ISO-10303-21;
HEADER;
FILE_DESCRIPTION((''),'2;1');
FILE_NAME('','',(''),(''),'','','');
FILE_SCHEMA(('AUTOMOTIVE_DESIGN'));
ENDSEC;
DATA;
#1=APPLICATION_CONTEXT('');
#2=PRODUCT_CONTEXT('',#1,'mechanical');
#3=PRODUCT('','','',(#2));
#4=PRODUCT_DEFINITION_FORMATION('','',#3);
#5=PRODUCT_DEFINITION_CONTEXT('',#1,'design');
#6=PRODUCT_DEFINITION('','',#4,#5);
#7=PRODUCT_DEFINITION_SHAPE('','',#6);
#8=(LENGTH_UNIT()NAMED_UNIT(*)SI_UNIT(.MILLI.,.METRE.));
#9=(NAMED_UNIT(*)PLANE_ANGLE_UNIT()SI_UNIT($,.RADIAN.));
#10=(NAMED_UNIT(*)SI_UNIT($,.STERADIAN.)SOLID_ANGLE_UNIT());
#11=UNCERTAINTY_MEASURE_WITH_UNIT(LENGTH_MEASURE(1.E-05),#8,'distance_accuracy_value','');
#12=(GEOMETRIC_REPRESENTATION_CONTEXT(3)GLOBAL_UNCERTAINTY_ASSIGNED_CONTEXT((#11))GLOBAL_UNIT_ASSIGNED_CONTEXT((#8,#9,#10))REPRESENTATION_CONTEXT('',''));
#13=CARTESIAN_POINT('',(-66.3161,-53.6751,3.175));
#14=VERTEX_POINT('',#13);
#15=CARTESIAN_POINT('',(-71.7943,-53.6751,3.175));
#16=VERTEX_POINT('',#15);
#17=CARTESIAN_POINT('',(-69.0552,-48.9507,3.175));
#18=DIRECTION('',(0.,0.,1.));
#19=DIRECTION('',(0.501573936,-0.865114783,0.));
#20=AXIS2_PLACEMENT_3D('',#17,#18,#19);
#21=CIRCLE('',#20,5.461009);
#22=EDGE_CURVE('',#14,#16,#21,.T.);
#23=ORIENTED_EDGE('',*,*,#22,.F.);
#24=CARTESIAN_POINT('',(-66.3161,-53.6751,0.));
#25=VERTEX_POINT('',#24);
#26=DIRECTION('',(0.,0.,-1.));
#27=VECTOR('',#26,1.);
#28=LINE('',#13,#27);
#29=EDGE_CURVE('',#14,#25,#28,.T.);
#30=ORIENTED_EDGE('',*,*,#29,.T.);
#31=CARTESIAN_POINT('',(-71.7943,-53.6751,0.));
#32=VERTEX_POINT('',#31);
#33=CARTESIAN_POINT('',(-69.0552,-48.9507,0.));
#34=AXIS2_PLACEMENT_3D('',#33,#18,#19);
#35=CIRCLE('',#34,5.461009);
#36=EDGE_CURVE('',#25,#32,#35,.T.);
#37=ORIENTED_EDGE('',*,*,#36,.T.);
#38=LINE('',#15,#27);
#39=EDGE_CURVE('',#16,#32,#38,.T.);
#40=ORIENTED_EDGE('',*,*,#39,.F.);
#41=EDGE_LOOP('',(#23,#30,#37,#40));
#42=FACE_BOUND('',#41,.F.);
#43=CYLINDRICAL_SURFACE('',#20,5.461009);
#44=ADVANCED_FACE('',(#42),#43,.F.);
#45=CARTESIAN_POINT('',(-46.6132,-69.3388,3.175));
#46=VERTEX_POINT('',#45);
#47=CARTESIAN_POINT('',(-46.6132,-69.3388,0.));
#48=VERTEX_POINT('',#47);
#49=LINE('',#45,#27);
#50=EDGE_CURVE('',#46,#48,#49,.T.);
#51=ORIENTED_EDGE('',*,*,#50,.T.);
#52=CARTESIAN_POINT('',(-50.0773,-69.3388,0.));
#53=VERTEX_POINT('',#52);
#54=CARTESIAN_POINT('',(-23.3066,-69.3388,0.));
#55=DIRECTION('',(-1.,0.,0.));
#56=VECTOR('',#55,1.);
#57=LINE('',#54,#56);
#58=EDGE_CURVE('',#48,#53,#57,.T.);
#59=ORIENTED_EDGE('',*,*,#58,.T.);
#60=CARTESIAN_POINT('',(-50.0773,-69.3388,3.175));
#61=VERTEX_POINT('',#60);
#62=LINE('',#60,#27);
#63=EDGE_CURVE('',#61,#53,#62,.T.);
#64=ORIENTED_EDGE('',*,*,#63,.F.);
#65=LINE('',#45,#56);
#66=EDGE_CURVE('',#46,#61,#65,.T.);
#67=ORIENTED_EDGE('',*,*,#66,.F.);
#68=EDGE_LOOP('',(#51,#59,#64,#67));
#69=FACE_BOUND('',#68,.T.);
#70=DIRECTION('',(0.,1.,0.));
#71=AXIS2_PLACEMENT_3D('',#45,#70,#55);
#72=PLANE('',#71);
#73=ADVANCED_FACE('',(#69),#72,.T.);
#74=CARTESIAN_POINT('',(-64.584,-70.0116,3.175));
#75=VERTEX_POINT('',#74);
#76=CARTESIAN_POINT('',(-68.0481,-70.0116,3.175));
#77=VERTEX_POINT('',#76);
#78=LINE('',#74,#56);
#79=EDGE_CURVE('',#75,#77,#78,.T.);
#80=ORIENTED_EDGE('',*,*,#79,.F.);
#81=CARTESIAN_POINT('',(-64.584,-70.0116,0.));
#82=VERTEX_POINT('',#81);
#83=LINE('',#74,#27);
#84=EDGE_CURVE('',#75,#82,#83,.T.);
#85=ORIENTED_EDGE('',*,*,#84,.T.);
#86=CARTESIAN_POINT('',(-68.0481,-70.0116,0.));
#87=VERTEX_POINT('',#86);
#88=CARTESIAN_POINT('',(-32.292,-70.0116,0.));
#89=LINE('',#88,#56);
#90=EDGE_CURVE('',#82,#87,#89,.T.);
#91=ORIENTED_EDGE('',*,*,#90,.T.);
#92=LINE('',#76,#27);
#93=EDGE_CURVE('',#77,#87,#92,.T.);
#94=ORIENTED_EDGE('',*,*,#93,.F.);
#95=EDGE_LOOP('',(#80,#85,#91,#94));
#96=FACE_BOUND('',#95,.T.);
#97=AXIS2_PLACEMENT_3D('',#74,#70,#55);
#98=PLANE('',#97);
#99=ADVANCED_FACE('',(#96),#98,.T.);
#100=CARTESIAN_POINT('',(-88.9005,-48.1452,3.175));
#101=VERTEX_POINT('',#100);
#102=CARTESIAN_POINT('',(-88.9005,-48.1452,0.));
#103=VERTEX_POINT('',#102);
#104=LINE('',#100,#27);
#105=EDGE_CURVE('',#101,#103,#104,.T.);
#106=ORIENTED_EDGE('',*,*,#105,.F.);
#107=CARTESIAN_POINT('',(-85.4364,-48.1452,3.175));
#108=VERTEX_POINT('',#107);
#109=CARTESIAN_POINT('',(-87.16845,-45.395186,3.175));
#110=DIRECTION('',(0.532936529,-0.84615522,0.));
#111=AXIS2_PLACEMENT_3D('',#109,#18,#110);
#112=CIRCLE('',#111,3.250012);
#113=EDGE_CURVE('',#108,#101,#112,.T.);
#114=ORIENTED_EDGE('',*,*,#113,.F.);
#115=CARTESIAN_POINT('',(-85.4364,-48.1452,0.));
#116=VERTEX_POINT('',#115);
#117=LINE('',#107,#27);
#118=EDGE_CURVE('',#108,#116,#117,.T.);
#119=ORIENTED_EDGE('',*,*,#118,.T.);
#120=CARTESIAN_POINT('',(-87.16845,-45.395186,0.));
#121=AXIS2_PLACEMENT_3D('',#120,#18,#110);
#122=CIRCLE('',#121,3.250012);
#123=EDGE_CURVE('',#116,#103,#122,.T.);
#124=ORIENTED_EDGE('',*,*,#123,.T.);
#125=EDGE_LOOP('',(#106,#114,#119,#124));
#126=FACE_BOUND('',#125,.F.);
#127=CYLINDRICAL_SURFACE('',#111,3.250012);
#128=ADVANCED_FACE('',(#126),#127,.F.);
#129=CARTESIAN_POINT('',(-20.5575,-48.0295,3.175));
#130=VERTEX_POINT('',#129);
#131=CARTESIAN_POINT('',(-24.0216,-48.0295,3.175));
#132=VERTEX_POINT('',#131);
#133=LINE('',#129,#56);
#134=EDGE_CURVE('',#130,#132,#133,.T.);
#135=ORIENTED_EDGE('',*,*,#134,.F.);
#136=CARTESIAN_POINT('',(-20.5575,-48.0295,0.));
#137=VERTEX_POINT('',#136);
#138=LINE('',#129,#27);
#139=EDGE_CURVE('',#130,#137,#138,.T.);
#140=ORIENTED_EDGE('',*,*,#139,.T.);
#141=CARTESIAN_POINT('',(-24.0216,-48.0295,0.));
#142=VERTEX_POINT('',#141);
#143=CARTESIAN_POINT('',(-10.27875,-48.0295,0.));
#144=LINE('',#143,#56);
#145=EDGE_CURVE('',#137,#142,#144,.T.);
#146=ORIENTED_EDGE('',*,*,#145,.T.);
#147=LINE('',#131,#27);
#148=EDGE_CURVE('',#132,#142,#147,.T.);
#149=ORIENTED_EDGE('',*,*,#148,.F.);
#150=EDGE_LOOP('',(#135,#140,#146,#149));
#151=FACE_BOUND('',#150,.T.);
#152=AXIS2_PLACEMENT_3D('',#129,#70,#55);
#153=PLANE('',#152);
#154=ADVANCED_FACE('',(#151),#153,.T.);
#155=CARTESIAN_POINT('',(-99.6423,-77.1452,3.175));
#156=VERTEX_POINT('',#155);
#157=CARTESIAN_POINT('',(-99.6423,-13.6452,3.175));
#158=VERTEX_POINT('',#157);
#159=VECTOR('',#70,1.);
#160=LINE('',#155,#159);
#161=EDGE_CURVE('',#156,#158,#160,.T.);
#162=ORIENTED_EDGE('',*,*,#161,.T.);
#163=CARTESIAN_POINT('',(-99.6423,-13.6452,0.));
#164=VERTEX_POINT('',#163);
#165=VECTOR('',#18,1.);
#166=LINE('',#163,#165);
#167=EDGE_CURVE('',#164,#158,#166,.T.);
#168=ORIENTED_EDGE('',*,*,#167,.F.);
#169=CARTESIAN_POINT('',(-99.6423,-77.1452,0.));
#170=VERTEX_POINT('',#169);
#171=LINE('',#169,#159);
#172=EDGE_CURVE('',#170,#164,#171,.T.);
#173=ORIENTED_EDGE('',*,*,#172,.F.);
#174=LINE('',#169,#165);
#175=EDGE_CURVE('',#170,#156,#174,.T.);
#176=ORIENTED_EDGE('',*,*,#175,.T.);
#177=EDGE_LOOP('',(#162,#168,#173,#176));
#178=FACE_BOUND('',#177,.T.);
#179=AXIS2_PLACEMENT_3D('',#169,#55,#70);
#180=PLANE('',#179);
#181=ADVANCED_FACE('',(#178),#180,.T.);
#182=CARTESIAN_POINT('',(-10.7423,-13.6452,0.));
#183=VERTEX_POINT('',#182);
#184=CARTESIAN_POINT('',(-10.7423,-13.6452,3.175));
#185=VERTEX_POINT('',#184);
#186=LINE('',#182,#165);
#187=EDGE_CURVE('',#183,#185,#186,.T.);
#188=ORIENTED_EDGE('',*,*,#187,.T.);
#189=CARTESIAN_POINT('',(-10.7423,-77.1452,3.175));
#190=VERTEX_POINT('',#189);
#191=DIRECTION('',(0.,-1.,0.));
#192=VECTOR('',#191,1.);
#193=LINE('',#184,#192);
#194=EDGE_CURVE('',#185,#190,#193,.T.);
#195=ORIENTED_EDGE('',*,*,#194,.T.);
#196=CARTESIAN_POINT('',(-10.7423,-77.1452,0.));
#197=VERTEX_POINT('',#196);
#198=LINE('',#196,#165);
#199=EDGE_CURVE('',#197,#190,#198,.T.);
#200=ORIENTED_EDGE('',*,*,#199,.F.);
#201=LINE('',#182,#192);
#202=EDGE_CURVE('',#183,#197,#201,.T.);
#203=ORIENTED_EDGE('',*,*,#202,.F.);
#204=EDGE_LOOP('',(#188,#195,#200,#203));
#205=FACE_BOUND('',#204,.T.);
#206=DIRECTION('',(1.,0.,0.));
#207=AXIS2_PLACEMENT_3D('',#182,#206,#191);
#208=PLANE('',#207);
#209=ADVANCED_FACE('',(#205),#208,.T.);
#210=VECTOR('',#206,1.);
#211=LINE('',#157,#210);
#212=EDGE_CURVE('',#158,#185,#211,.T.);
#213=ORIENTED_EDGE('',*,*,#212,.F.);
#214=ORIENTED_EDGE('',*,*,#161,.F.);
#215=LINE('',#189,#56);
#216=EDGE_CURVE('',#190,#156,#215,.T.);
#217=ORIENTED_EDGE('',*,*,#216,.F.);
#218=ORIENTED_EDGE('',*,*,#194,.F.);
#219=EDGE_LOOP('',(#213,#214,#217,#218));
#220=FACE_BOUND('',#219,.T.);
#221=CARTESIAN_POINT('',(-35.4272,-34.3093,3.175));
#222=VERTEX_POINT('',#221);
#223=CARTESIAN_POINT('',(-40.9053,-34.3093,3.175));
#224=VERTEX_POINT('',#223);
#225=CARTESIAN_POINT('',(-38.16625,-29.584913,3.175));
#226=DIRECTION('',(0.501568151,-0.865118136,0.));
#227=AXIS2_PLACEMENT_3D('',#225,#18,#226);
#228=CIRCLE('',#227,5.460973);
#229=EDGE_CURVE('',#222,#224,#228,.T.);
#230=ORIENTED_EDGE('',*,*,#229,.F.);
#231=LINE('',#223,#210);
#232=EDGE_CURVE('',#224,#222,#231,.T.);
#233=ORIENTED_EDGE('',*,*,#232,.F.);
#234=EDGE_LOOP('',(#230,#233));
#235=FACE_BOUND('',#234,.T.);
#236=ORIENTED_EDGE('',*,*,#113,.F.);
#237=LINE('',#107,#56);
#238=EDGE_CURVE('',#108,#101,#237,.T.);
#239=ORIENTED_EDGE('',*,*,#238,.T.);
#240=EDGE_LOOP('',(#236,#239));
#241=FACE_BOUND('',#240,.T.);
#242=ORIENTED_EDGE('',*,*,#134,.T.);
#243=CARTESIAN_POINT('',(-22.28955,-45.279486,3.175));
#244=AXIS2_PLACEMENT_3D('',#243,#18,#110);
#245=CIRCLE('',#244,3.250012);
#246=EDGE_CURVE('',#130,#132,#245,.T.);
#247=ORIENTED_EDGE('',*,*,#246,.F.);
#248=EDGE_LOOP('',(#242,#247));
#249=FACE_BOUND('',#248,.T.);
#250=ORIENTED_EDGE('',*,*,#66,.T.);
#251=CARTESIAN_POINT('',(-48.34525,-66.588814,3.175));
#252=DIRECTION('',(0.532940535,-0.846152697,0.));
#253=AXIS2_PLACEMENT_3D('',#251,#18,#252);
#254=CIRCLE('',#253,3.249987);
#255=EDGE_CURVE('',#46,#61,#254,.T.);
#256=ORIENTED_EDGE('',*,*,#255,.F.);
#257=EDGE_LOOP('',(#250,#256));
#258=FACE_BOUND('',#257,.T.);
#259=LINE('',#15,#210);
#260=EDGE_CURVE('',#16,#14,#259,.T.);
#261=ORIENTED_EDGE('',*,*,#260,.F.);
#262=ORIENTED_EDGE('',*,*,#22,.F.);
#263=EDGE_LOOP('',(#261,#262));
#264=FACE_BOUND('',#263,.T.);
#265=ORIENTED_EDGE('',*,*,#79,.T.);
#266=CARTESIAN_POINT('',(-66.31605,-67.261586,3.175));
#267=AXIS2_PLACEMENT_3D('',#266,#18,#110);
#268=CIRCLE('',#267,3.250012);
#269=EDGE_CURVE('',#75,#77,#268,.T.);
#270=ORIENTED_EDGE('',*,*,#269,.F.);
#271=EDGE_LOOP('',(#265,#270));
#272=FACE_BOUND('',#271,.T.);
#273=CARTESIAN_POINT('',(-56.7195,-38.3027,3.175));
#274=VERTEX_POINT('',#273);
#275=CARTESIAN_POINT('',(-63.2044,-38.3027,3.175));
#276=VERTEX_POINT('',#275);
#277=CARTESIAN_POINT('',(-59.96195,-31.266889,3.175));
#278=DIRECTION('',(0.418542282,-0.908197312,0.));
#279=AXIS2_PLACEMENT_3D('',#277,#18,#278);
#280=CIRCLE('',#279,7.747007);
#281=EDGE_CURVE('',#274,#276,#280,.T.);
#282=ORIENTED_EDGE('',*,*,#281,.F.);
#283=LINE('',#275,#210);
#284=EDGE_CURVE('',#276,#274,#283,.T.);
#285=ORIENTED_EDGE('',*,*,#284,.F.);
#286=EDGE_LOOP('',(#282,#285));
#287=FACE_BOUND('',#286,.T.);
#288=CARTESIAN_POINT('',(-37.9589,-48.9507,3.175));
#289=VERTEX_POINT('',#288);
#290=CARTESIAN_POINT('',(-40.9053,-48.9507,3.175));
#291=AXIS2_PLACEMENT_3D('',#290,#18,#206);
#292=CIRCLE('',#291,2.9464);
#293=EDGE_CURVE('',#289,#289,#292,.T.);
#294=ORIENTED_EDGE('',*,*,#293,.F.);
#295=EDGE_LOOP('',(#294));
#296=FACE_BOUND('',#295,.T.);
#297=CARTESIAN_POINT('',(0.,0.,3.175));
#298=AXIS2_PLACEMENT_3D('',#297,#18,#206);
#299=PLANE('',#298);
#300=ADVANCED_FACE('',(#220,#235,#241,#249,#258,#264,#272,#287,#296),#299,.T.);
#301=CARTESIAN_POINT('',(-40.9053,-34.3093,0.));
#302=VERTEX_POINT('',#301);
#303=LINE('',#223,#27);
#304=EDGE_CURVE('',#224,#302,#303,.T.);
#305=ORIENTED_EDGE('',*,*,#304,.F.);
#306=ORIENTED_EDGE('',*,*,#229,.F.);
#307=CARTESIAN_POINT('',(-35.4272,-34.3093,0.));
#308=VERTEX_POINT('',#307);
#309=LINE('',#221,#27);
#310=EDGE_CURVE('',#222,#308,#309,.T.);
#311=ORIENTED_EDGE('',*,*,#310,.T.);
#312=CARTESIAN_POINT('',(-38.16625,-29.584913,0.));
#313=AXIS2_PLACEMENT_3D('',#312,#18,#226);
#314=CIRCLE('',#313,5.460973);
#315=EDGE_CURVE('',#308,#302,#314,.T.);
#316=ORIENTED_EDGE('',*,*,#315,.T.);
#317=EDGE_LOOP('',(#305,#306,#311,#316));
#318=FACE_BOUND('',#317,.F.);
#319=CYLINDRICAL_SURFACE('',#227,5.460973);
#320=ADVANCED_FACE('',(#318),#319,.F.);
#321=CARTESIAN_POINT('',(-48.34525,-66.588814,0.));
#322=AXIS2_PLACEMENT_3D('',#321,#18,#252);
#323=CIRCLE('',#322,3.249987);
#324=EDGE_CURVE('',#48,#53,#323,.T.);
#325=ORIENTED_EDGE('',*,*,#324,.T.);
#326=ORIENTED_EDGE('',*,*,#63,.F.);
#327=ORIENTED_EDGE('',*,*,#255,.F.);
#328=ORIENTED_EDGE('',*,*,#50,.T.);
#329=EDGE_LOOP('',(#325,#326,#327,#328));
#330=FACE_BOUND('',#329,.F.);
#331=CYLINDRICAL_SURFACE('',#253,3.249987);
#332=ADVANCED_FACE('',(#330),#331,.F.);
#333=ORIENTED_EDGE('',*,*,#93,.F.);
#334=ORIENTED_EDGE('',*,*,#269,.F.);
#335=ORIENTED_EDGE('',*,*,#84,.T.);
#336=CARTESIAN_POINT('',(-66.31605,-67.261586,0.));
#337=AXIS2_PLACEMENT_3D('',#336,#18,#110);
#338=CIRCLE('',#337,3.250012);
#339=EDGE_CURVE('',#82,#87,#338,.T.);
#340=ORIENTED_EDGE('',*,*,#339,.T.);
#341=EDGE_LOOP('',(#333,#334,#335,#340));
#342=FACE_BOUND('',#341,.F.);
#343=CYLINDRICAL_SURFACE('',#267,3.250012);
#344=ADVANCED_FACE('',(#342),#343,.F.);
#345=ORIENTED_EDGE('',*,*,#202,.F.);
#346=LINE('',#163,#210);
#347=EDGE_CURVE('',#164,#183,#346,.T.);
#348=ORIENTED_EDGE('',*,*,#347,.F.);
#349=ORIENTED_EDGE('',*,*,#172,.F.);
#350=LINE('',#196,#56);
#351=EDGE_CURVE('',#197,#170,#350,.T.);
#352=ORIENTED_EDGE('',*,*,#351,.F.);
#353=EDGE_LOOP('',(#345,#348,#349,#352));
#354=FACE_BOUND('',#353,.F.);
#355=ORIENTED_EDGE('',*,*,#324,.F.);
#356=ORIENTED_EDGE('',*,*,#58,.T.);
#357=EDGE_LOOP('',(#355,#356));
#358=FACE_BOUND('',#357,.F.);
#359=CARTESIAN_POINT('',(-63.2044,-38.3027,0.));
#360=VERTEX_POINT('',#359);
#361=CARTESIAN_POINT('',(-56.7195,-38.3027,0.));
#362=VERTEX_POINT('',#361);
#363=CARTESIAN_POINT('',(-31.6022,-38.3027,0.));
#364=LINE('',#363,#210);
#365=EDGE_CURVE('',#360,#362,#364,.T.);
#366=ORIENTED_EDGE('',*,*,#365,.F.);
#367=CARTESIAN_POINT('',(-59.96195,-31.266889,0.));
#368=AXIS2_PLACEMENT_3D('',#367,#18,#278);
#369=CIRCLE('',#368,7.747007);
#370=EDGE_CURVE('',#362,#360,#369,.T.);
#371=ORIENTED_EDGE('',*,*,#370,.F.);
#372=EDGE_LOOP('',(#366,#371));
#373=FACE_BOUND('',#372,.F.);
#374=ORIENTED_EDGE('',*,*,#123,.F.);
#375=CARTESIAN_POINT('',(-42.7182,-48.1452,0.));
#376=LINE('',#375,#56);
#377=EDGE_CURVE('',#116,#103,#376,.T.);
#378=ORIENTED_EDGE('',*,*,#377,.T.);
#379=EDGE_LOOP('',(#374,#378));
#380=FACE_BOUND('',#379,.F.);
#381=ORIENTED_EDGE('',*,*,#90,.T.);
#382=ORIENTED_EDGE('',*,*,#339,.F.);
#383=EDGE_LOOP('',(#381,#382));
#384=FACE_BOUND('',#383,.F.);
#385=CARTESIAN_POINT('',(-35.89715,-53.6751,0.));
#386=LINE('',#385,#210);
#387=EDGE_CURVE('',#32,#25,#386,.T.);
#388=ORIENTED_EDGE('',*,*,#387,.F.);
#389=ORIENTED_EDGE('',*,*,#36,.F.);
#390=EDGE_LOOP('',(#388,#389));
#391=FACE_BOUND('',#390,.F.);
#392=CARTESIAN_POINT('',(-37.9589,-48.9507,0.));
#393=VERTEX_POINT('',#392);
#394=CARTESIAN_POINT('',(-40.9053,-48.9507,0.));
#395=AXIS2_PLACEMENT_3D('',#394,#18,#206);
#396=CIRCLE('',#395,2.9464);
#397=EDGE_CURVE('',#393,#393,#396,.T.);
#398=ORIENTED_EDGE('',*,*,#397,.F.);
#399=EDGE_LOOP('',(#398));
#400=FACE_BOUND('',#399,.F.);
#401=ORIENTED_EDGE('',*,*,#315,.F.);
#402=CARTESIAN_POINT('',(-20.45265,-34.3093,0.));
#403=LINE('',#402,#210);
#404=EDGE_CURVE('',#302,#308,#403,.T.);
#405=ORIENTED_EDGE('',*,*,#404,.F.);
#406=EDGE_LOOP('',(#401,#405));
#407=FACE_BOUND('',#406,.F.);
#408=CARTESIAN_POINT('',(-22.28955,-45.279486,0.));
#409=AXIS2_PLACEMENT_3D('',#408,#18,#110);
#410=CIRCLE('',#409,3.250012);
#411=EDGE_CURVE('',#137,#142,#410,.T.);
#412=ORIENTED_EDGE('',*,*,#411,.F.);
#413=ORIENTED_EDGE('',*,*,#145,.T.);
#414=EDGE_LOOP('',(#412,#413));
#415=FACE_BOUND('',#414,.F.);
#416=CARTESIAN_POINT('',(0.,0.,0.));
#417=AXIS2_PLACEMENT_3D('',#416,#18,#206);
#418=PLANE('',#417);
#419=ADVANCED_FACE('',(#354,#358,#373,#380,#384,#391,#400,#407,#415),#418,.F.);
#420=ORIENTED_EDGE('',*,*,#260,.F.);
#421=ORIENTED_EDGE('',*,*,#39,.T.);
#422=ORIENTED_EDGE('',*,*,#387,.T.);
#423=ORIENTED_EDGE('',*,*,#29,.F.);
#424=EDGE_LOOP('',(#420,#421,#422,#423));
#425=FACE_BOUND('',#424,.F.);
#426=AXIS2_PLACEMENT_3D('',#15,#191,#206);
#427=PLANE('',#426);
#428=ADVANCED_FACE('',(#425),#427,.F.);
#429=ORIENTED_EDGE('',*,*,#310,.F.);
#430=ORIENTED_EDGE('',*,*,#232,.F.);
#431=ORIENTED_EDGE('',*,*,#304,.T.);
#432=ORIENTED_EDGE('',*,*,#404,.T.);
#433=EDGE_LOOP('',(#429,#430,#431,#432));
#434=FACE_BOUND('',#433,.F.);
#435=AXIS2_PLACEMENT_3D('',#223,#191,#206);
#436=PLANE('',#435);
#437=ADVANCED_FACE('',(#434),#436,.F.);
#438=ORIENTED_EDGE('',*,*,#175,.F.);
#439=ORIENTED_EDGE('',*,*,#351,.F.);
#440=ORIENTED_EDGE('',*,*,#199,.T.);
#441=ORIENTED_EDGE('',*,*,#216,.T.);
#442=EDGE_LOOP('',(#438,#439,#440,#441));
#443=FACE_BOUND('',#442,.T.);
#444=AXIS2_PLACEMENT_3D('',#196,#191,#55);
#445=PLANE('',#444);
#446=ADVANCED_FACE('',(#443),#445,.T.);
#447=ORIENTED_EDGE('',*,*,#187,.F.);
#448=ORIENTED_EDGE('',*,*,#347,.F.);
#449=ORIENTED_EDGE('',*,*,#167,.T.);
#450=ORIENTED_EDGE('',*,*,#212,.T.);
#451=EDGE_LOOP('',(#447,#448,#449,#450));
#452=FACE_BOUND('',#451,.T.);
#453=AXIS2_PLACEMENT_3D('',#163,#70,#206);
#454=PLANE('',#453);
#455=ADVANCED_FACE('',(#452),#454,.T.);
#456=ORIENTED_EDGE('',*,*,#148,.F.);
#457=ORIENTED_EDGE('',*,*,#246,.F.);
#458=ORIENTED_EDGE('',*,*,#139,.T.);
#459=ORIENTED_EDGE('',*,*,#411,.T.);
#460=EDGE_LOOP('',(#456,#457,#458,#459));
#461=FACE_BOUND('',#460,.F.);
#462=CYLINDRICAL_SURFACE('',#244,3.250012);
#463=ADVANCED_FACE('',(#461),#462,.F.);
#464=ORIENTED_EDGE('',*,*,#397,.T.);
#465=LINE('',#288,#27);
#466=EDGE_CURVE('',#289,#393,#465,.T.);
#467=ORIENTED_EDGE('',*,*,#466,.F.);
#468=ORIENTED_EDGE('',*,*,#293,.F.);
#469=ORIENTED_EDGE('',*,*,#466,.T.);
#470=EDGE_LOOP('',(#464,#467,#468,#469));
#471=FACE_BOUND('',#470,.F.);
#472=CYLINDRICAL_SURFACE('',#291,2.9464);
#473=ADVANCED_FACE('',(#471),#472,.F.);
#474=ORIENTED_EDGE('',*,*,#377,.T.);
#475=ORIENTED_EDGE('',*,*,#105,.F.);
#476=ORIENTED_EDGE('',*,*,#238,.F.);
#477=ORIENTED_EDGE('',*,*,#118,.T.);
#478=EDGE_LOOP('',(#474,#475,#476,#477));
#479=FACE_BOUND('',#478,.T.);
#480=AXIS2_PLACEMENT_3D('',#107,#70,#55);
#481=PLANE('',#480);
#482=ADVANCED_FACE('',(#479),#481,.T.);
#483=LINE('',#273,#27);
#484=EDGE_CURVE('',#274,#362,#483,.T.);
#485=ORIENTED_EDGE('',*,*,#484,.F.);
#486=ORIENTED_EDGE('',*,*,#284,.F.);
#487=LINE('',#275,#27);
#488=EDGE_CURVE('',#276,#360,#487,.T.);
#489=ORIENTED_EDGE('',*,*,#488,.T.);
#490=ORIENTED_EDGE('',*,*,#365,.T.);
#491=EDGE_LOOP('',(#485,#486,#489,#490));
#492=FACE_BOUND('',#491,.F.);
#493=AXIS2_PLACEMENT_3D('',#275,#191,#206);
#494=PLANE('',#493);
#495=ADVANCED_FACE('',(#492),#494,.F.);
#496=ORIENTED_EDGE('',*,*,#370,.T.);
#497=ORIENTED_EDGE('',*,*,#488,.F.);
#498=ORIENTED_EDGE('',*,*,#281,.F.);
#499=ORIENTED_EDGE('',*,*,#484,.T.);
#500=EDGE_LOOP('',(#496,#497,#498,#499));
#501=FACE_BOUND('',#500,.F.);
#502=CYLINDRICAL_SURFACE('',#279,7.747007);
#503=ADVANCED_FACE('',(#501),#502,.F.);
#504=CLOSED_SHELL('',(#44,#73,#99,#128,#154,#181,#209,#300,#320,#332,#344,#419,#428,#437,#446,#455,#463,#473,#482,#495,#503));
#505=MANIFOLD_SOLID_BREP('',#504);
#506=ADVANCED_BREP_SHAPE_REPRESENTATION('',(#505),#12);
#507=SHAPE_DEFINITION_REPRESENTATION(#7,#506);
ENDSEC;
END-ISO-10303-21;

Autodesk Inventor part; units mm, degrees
ref_plane "YZ Plane" through (0, 0, 0) normal (1, 0, 0) x (0, 1, 0)
ref_plane "XZ Plane" through (0, 0, 0) normal (0, 1, 0) x (-1, 0, 0)
ref_plane "XY Plane" through (0, 0, 0) normal (0, 0, 1) x (1, 0, 0)
sketch "Sketch1" plane through (0, 0, 0) normal (0, 0, 1) x (1, 0, 0)
  line L0 (-99.6423, -13.6452) -> (-10.7423, -13.6452)
  line L1 (-10.7423, -13.6452) -> (-10.7423, -77.1452)
  line L2 (-10.7423, -77.1452) -> (-99.6423, -77.1452)
  line L3 (-99.6423, -77.1452) -> (-99.6423, -13.6452)
  point P0 (0, 0)
  dimension "d0" = 88.9
  dimension "d1" = 63.5
extrude "Extrusion1" add sketch "Sketch1" along normal blind 3.175
sketch "Sketch2" plane through (0, 0, 3.175) normal (0, 0, 1) x (1, 0, 0)
  line L0 (-99.6423, -77.1452) -> (-10.7423, -77.1452) projected
  line L1 (-10.7423, -13.6452) -> (-99.6423, -13.6452) projected
  circle A0 centre (-59.962, -31.2669) radius 10.3124 construction
  arc A1 (-56.7195, -38.3027) -> (-63.2044, -38.3027) centre (-59.962, -31.2669) ccw
  circle A2 centre (-69.0552, -48.9507) radius 9.0932 construction
  arc A3 (-66.3161, -53.6751) -> (-71.7943, -53.6751) centre (-69.0552, -48.9507) ccw
  circle A4 centre (-40.9053, -48.9507) radius 5.2451 construction
  circle A5 centre (-40.9053, -48.9507) radius 2.9464
  line L2 (-63.2044, -38.3027) -> (-56.7195, -38.3027)
  line L3 (-71.7943, -53.6751) -> (-66.3161, -53.6751)
  circle A6 centre (-38.1662, -29.5849) radius 9.0932 construction
  arc A7 (-35.4272, -34.3093) -> (-40.9053, -34.3093) centre (-38.1662, -29.5849) ccw
  line L4 (-40.9053, -34.3093) -> (-35.4272, -34.3093)
  arc A8 (-85.4364, -48.1452) -> (-88.9005, -48.1452) centre (-87.1685, -45.3952) ccw
  line L5 (-85.4364, -48.1452) -> (-88.9005, -48.1452)
  circle A9 centre (-87.1685, -45.3952) radius 5.5 construction
  arc A10 (-64.584, -70.0116) -> (-68.0481, -70.0116) centre (-66.3161, -67.2616) ccw
  line L6 (-64.584, -70.0116) -> (-68.0481, -70.0116)
  circle A11 centre (-66.3161, -67.2616) radius 5.5 construction
  arc A12 (-46.6132, -69.3388) -> (-50.0773, -69.3388) centre (-48.3452, -66.5888) ccw
  line L7 (-46.6132, -69.3388) -> (-50.0773, -69.3388)
  circle A13 centre (-48.3452, -66.5888) radius 5.5 construction
  arc A14 (-20.5575, -48.0295) -> (-24.0216, -48.0295) centre (-22.2896, -45.2795) ccw
  line L8 (-20.5575, -48.0295) -> (-24.0216, -48.0295)
  circle A15 centre (-22.2896, -45.2795) radius 5.5 construction
  point P0 (0, 0)
  dimension "d18" = 20.6248
  dimension "d19" = 15.494
  dimension "d20" = 18.1864
  dimension "d21" = 10.922
  dimension "d22" = 10.4902
  dimension "d23" = 5.8928
  dimension "d24" = 7.0358
  dimension "d25" = 4.7244
  dimension "d26" = 18.1864
  dimension "d27" = 10.922
  dimension "d28" = 4.7244
  dimension "d32" = 28.1945
  dimension "d36" = 6.5
  dimension "d37" = 2.75
  dimension "d38" = 11
  dimension "d39" = 6.5
  dimension "d40" = 2.75
  dimension "d41" = 11
  dimension "d42" = 6.5
  dimension "d43" = 2.75
  dimension "d44" = 11
  dimension "d45" = 6.5
  dimension "d46" = 2.75
  dimension "d47" = 11
extrude "Extrusion2" cut sketch "Sketch2" against normal blind 6.35
properties part number "DishFront_BackPlate"
